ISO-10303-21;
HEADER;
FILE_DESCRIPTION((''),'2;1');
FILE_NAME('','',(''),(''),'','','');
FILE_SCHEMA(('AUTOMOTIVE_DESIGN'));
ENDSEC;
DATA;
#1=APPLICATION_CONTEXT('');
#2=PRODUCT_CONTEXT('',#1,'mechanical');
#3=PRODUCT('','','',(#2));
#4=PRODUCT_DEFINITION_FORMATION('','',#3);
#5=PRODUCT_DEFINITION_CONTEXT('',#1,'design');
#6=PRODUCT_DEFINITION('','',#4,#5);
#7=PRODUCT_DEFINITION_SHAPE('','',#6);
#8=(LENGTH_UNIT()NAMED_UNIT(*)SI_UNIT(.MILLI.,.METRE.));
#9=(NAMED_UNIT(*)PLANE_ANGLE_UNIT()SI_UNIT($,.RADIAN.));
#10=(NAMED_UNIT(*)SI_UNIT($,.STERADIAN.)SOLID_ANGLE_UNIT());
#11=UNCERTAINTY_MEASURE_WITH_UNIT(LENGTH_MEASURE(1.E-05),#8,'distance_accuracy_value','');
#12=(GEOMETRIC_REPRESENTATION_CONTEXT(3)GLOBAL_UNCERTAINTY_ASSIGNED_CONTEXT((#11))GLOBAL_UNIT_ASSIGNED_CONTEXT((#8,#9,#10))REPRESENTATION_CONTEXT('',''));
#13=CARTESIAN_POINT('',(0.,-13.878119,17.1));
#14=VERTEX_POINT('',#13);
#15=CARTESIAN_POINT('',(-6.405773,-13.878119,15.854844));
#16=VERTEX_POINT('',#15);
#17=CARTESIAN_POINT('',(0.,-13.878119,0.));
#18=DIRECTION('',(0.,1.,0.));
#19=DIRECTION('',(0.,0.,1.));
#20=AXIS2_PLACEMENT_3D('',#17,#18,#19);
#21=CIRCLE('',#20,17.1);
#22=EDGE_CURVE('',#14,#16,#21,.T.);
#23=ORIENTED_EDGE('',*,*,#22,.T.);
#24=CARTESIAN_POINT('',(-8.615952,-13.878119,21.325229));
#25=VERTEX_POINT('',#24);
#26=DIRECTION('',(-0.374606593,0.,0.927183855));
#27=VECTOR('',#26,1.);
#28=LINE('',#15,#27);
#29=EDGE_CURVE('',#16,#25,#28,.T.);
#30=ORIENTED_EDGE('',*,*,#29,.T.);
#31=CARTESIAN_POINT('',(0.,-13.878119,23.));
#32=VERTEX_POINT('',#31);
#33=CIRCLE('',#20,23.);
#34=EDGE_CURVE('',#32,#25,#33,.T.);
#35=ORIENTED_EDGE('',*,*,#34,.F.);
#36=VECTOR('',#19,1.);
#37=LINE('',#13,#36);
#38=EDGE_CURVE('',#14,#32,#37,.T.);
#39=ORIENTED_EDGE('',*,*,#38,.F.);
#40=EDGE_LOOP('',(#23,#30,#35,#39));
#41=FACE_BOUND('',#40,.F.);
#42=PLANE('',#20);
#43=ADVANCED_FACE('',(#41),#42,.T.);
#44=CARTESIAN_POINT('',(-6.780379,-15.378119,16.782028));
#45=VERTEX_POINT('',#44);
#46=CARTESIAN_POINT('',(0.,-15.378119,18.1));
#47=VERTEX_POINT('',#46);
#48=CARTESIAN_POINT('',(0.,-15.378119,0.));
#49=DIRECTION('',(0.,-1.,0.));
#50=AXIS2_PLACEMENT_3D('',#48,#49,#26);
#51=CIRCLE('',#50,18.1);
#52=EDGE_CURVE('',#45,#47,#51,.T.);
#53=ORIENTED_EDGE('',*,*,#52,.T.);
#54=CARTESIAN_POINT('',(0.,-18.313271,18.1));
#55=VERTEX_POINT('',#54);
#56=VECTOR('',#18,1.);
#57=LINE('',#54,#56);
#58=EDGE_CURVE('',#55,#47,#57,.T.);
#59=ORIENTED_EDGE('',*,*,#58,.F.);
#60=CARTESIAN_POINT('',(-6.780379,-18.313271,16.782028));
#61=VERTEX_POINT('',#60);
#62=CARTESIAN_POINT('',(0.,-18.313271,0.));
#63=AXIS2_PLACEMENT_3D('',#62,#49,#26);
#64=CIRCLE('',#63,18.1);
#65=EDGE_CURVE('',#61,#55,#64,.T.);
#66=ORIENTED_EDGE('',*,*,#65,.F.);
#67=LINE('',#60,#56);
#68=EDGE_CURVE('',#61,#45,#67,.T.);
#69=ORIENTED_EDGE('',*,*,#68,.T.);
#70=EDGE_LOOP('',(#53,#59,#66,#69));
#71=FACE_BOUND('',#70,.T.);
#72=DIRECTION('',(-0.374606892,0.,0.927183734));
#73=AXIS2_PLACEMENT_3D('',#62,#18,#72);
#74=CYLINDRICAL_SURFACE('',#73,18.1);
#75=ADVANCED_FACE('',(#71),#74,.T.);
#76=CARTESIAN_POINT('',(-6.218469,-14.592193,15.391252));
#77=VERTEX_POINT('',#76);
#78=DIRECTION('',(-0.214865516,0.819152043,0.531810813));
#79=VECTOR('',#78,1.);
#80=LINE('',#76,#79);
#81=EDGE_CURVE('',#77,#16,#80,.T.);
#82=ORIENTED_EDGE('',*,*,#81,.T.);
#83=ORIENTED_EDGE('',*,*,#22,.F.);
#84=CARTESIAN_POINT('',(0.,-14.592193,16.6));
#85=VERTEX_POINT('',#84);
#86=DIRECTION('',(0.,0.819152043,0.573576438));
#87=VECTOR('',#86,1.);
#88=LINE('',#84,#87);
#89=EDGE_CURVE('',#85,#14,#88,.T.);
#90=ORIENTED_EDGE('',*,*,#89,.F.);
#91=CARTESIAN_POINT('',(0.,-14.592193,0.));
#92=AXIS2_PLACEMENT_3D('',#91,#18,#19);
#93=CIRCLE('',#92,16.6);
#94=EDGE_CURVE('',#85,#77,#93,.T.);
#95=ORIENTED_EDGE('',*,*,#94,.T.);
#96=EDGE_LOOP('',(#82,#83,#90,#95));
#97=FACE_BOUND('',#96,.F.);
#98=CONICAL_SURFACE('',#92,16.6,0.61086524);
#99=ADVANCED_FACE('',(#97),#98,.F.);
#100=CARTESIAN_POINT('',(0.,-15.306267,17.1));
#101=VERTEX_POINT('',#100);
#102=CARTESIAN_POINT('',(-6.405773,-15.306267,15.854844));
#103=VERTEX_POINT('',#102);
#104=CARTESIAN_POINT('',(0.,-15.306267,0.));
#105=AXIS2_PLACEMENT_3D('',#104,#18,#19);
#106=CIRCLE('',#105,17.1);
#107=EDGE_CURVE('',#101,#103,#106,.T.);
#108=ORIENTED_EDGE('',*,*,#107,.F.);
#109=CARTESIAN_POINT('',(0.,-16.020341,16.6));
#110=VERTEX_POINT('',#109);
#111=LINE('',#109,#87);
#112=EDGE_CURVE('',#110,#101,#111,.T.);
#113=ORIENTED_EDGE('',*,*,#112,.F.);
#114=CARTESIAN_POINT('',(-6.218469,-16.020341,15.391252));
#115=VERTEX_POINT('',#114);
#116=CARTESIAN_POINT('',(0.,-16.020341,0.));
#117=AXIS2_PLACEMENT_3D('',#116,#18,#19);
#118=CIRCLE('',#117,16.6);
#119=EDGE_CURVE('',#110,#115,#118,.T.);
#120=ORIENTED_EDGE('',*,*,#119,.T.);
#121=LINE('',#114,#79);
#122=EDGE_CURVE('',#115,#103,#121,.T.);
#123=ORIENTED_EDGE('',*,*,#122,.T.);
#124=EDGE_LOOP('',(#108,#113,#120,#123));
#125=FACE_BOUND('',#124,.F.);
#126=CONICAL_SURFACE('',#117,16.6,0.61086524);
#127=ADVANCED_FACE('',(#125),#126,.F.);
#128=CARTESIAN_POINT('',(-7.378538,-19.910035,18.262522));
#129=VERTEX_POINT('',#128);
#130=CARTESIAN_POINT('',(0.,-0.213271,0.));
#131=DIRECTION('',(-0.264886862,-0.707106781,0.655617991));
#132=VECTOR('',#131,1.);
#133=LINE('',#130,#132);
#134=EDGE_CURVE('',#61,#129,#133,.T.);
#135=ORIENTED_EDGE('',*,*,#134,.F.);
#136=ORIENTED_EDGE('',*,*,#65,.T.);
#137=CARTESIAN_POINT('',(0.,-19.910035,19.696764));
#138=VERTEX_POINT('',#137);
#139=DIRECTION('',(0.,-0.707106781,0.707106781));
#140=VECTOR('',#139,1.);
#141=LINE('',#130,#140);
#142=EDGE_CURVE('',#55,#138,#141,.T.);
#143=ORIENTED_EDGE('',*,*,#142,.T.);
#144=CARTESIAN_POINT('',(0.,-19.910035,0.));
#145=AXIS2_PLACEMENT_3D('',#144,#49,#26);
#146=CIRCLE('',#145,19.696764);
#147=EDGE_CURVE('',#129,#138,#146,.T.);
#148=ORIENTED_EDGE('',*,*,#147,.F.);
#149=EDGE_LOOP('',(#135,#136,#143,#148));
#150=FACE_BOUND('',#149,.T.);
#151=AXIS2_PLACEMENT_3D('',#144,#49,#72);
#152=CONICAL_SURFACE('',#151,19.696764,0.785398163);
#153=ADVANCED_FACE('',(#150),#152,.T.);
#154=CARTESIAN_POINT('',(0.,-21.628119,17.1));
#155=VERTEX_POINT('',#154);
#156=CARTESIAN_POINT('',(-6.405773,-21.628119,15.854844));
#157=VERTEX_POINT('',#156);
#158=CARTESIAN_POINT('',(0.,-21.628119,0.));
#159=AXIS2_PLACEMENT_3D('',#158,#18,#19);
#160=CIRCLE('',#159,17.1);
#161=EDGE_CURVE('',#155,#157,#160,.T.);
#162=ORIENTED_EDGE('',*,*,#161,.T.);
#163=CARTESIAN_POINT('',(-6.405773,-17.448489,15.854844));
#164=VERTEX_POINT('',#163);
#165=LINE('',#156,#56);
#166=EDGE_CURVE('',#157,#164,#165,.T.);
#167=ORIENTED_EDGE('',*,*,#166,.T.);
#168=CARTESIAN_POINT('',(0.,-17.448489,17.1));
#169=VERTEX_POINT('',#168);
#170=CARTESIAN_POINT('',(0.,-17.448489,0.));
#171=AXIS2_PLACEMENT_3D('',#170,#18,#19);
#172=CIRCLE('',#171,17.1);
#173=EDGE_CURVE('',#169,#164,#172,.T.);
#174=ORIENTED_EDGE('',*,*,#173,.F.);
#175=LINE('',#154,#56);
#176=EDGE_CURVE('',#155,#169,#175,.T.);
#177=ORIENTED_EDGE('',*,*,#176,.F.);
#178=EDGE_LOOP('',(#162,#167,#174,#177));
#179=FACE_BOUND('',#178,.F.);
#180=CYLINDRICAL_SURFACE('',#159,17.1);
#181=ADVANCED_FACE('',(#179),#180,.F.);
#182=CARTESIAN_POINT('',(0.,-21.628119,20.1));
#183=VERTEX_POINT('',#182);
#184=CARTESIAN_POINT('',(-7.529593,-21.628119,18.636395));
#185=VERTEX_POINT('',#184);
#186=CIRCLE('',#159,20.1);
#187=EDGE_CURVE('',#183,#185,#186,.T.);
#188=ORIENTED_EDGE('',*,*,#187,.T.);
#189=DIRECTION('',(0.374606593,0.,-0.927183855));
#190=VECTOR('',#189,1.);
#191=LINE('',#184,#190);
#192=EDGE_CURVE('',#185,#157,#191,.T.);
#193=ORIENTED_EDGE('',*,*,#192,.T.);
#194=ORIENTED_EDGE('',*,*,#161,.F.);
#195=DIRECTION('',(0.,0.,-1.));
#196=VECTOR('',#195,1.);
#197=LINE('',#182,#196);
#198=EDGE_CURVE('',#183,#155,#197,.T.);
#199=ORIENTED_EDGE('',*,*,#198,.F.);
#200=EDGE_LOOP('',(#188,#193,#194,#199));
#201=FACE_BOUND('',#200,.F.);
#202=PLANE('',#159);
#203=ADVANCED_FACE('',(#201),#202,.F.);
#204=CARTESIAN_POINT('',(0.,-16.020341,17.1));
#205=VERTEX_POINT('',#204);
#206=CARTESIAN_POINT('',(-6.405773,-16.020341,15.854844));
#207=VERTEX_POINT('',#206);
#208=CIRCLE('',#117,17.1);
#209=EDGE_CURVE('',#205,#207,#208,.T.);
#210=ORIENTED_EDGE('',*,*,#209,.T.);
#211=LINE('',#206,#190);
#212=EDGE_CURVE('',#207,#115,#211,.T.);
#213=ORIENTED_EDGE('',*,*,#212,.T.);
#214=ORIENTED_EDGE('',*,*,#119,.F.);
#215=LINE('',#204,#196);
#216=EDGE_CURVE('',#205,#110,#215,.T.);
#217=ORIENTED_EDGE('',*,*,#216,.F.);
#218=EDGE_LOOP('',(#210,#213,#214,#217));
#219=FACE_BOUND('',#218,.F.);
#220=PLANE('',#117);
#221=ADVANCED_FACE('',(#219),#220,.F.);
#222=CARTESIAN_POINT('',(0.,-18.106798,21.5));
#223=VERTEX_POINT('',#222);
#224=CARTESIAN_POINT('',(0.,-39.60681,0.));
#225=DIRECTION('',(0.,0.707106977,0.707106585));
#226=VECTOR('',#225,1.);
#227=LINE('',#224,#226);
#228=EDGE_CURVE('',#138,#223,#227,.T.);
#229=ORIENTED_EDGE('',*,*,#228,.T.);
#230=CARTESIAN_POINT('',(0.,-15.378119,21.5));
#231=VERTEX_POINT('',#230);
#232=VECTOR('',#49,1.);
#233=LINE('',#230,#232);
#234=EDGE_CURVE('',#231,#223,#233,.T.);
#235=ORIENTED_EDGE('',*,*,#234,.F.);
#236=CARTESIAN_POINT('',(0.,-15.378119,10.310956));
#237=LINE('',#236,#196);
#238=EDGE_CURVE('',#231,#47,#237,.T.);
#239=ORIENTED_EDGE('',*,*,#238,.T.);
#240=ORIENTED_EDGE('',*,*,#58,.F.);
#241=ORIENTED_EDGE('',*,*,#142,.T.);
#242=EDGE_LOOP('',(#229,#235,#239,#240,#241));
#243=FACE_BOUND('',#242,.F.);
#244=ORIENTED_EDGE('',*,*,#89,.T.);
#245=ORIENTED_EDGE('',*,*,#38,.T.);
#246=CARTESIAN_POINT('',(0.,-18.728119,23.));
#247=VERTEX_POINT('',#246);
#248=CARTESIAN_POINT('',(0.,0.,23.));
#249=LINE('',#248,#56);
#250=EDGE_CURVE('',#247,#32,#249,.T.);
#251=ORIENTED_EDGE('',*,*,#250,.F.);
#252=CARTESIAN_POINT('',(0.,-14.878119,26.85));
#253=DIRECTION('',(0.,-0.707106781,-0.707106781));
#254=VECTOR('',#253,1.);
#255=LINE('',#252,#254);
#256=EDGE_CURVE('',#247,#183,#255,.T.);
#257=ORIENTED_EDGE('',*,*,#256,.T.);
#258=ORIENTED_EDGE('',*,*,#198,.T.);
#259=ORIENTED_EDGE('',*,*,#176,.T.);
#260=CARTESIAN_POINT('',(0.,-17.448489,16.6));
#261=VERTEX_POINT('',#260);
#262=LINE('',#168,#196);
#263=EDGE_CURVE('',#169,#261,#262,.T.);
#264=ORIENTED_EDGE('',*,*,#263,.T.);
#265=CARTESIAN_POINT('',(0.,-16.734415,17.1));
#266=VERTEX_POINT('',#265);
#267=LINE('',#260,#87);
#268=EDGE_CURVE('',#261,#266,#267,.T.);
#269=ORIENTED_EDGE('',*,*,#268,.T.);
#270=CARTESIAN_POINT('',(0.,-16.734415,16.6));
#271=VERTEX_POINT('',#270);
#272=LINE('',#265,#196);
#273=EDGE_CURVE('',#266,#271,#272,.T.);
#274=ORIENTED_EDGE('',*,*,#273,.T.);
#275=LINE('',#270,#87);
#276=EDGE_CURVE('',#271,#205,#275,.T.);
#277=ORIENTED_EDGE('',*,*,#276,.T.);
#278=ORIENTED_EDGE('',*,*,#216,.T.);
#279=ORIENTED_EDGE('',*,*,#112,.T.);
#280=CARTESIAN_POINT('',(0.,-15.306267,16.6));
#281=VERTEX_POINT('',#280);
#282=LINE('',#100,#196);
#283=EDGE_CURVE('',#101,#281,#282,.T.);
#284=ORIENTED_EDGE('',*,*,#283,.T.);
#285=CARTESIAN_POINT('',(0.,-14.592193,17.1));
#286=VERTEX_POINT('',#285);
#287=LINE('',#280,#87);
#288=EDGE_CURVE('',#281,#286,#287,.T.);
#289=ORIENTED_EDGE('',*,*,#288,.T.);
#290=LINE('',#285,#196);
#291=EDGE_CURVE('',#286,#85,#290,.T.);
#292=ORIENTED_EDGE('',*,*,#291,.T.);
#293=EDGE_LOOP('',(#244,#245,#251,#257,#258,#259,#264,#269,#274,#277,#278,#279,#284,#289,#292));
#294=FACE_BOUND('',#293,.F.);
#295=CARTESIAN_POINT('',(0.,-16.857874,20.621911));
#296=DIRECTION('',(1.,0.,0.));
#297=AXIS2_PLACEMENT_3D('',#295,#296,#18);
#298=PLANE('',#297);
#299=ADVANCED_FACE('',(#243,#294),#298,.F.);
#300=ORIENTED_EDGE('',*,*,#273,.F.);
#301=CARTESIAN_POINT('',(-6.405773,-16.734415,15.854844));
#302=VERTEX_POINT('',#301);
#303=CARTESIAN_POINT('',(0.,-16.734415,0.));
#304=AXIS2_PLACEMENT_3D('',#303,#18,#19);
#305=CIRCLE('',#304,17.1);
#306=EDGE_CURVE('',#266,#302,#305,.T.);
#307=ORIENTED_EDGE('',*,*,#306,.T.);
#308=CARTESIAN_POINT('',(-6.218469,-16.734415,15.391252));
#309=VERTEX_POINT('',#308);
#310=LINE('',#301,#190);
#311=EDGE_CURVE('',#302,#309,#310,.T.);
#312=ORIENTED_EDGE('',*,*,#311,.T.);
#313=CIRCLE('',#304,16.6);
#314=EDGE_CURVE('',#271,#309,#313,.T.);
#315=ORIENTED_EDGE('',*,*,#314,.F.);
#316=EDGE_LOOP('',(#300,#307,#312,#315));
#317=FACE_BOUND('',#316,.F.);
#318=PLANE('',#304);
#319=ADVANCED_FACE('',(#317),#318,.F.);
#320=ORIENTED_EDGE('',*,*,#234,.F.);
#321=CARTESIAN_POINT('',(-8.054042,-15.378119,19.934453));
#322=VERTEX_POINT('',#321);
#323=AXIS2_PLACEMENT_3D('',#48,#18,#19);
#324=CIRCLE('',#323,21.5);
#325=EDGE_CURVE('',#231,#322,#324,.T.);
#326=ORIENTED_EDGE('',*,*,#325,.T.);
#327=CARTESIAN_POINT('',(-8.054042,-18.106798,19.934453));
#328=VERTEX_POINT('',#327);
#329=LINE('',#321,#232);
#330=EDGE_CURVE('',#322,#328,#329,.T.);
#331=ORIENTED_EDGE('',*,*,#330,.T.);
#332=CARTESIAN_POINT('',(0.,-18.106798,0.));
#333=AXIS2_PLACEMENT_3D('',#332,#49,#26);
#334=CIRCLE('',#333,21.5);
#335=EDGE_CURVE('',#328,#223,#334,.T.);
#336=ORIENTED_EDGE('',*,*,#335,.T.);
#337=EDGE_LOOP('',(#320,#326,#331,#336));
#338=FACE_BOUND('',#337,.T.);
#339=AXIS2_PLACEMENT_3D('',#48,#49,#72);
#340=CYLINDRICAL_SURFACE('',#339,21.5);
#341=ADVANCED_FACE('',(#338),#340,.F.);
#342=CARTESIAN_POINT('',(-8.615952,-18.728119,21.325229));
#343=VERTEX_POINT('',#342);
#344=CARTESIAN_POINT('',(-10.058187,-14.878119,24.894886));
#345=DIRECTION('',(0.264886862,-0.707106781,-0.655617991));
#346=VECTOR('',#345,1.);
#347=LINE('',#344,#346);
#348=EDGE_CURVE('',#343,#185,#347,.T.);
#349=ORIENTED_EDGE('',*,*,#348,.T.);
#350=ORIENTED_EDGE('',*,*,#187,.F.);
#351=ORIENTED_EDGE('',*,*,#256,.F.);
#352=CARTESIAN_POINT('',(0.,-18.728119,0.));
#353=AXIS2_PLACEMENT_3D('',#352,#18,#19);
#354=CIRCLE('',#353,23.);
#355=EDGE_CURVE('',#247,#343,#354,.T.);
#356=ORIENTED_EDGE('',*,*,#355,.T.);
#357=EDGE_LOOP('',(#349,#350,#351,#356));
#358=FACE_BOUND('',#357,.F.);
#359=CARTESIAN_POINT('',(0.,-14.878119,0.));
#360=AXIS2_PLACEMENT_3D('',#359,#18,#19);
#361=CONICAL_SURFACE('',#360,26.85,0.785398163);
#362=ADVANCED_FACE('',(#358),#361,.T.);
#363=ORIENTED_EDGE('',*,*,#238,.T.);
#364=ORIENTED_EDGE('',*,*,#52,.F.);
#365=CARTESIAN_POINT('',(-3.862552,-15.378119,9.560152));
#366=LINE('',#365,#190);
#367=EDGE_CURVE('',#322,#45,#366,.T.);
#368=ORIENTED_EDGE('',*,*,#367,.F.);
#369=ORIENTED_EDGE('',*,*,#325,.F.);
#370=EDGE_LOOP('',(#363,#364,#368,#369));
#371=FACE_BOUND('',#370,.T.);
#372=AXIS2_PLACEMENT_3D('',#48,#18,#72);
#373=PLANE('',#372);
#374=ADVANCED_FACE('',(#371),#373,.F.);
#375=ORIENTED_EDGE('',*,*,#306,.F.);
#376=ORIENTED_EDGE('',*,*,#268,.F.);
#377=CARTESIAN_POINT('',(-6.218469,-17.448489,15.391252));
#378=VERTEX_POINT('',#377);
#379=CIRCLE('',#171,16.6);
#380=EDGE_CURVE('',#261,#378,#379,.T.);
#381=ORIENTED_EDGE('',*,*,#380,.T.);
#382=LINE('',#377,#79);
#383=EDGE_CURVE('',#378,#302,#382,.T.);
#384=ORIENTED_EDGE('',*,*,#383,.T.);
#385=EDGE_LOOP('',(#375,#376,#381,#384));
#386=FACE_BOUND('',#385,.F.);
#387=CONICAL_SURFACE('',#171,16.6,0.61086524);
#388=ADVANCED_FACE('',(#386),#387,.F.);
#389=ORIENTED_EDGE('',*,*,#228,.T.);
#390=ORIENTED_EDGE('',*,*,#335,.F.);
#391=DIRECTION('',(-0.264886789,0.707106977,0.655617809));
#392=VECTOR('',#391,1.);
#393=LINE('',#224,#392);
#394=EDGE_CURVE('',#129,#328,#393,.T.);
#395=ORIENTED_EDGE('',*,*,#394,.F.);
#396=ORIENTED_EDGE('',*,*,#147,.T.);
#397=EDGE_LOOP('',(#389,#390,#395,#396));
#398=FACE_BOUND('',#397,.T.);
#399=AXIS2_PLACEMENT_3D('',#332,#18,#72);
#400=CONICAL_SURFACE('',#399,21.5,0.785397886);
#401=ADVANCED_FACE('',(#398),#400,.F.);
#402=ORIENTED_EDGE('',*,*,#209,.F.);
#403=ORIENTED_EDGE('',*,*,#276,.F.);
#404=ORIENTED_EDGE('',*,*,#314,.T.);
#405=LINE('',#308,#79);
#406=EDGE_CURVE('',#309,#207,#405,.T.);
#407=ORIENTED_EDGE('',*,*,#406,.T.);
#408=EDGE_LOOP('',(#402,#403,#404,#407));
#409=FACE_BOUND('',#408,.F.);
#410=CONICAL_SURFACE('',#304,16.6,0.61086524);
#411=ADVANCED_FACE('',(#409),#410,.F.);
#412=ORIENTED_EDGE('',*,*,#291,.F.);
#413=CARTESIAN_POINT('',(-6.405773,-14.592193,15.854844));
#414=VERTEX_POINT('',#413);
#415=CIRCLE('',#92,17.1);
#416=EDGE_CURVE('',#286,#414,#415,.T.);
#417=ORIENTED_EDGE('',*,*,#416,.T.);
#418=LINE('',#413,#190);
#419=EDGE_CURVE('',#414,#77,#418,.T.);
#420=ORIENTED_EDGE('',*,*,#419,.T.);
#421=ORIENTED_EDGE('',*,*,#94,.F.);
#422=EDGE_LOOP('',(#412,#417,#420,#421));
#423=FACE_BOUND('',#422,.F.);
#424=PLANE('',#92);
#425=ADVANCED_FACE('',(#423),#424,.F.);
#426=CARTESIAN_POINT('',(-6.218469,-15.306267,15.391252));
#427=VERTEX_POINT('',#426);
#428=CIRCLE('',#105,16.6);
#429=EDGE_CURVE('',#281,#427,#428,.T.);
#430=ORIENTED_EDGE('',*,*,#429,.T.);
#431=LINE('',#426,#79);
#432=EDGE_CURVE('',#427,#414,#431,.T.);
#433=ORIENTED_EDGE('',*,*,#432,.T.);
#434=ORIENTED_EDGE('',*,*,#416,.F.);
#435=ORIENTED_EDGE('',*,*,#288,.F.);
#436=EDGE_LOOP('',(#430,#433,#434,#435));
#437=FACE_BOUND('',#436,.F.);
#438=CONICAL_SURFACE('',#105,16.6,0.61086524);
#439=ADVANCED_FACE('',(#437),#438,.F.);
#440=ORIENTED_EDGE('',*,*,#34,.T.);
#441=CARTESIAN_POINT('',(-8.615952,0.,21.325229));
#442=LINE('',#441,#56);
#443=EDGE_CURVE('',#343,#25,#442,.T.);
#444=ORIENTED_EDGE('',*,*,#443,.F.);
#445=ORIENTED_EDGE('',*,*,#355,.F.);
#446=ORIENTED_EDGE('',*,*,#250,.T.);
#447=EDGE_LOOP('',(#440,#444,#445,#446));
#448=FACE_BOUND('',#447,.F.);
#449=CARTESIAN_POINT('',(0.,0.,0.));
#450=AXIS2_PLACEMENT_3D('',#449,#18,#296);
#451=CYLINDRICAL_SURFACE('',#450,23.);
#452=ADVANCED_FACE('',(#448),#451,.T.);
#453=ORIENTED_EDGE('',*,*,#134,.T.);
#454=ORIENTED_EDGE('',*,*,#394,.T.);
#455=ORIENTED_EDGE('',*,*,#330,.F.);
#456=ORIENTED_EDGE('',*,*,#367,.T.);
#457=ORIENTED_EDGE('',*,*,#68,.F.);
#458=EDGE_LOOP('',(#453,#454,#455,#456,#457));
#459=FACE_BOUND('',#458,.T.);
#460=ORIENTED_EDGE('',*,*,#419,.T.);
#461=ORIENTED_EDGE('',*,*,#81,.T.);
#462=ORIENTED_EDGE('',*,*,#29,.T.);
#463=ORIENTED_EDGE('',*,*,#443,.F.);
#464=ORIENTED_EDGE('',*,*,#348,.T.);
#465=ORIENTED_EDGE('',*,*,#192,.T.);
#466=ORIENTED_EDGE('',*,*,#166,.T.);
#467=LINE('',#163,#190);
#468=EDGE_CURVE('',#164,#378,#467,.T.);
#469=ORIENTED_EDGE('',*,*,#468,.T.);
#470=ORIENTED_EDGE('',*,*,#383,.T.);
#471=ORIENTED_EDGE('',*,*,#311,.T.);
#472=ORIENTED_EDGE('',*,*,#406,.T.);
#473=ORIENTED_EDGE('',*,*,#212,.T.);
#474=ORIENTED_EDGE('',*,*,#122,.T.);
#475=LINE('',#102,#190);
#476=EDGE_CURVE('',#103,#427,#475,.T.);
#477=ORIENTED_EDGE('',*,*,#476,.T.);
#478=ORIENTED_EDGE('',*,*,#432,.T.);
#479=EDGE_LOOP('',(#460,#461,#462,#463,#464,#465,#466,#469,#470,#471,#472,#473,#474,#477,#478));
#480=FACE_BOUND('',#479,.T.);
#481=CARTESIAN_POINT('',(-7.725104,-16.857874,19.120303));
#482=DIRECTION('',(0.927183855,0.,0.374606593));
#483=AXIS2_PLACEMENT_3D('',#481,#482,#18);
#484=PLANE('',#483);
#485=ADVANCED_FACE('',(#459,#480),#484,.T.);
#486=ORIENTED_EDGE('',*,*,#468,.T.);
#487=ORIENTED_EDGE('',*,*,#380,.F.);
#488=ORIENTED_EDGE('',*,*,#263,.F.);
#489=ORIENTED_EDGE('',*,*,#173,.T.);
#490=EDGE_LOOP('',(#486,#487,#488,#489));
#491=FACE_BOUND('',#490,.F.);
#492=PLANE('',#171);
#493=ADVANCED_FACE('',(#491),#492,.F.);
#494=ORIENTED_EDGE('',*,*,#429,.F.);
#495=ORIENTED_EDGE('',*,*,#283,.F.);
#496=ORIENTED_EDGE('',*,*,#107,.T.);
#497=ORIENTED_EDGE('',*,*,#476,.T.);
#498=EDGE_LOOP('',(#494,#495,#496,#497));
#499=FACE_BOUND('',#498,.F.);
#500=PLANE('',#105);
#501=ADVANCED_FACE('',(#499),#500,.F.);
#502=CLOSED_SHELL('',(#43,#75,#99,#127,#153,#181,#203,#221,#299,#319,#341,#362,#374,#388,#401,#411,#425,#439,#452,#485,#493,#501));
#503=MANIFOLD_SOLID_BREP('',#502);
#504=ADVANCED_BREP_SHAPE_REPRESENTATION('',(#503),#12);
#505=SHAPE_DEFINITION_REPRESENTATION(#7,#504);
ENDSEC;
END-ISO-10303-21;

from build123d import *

# Parameters (mm, degrees)
F2_ANGLE = 338
F3_R     = 43
F3_R_2   = 23
F4_DEPTH = 25


with BuildPart() as f2:
    # F1 (on Right) → F2 (revolve)
    with BuildSketch(Plane.YZ):
        Polygon((-14.592193, 16.6), (-13.878119, 17.1), (-13.878119, 26.85), (-14.878119, 26.85), (-21.628119, 20.1), (-21.628119, 17.1), (-17.448489, 17.1), (-17.448489, 16.6), (-16.734415, 17.1), (-16.734415, 16.6), (-16.020341, 17.1), (-16.020341, 16.6), (-15.306267, 17.1), (-15.306267, 16.6), (-14.592193, 17.1), align=None)
    revolve(axis=Axis((0, -8.217514, 0), (0, 1, 0)), revolution_arc=F2_ANGLE)

    # F3 (on Front) → F4 (cut)
    with BuildSketch(Plane.XZ):
        Circle(F3_R)
        Circle(F3_R_2, mode=Mode.SUBTRACT)
    extrude(amount=F4_DEPTH, mode=Mode.SUBTRACT)

    # F5 (on face) → F6 (revolve, cut)
    with BuildSketch(Plane(origin=(0, 0, 0), x_dir=(0, 1, 0), z_dir=(0.927184, 0, 0.374607))):
        Polygon((-15.378119, 18.1), (-15.378119, 21.5), (-18.106798, 21.5), (-19.910035, 19.696764), (-18.313271, 18.1), align=None)
    revolve(axis=Axis((0, -8.217514, 0), (0, 1, 0)), mode=Mode.SUBTRACT)


solid = f2.part
